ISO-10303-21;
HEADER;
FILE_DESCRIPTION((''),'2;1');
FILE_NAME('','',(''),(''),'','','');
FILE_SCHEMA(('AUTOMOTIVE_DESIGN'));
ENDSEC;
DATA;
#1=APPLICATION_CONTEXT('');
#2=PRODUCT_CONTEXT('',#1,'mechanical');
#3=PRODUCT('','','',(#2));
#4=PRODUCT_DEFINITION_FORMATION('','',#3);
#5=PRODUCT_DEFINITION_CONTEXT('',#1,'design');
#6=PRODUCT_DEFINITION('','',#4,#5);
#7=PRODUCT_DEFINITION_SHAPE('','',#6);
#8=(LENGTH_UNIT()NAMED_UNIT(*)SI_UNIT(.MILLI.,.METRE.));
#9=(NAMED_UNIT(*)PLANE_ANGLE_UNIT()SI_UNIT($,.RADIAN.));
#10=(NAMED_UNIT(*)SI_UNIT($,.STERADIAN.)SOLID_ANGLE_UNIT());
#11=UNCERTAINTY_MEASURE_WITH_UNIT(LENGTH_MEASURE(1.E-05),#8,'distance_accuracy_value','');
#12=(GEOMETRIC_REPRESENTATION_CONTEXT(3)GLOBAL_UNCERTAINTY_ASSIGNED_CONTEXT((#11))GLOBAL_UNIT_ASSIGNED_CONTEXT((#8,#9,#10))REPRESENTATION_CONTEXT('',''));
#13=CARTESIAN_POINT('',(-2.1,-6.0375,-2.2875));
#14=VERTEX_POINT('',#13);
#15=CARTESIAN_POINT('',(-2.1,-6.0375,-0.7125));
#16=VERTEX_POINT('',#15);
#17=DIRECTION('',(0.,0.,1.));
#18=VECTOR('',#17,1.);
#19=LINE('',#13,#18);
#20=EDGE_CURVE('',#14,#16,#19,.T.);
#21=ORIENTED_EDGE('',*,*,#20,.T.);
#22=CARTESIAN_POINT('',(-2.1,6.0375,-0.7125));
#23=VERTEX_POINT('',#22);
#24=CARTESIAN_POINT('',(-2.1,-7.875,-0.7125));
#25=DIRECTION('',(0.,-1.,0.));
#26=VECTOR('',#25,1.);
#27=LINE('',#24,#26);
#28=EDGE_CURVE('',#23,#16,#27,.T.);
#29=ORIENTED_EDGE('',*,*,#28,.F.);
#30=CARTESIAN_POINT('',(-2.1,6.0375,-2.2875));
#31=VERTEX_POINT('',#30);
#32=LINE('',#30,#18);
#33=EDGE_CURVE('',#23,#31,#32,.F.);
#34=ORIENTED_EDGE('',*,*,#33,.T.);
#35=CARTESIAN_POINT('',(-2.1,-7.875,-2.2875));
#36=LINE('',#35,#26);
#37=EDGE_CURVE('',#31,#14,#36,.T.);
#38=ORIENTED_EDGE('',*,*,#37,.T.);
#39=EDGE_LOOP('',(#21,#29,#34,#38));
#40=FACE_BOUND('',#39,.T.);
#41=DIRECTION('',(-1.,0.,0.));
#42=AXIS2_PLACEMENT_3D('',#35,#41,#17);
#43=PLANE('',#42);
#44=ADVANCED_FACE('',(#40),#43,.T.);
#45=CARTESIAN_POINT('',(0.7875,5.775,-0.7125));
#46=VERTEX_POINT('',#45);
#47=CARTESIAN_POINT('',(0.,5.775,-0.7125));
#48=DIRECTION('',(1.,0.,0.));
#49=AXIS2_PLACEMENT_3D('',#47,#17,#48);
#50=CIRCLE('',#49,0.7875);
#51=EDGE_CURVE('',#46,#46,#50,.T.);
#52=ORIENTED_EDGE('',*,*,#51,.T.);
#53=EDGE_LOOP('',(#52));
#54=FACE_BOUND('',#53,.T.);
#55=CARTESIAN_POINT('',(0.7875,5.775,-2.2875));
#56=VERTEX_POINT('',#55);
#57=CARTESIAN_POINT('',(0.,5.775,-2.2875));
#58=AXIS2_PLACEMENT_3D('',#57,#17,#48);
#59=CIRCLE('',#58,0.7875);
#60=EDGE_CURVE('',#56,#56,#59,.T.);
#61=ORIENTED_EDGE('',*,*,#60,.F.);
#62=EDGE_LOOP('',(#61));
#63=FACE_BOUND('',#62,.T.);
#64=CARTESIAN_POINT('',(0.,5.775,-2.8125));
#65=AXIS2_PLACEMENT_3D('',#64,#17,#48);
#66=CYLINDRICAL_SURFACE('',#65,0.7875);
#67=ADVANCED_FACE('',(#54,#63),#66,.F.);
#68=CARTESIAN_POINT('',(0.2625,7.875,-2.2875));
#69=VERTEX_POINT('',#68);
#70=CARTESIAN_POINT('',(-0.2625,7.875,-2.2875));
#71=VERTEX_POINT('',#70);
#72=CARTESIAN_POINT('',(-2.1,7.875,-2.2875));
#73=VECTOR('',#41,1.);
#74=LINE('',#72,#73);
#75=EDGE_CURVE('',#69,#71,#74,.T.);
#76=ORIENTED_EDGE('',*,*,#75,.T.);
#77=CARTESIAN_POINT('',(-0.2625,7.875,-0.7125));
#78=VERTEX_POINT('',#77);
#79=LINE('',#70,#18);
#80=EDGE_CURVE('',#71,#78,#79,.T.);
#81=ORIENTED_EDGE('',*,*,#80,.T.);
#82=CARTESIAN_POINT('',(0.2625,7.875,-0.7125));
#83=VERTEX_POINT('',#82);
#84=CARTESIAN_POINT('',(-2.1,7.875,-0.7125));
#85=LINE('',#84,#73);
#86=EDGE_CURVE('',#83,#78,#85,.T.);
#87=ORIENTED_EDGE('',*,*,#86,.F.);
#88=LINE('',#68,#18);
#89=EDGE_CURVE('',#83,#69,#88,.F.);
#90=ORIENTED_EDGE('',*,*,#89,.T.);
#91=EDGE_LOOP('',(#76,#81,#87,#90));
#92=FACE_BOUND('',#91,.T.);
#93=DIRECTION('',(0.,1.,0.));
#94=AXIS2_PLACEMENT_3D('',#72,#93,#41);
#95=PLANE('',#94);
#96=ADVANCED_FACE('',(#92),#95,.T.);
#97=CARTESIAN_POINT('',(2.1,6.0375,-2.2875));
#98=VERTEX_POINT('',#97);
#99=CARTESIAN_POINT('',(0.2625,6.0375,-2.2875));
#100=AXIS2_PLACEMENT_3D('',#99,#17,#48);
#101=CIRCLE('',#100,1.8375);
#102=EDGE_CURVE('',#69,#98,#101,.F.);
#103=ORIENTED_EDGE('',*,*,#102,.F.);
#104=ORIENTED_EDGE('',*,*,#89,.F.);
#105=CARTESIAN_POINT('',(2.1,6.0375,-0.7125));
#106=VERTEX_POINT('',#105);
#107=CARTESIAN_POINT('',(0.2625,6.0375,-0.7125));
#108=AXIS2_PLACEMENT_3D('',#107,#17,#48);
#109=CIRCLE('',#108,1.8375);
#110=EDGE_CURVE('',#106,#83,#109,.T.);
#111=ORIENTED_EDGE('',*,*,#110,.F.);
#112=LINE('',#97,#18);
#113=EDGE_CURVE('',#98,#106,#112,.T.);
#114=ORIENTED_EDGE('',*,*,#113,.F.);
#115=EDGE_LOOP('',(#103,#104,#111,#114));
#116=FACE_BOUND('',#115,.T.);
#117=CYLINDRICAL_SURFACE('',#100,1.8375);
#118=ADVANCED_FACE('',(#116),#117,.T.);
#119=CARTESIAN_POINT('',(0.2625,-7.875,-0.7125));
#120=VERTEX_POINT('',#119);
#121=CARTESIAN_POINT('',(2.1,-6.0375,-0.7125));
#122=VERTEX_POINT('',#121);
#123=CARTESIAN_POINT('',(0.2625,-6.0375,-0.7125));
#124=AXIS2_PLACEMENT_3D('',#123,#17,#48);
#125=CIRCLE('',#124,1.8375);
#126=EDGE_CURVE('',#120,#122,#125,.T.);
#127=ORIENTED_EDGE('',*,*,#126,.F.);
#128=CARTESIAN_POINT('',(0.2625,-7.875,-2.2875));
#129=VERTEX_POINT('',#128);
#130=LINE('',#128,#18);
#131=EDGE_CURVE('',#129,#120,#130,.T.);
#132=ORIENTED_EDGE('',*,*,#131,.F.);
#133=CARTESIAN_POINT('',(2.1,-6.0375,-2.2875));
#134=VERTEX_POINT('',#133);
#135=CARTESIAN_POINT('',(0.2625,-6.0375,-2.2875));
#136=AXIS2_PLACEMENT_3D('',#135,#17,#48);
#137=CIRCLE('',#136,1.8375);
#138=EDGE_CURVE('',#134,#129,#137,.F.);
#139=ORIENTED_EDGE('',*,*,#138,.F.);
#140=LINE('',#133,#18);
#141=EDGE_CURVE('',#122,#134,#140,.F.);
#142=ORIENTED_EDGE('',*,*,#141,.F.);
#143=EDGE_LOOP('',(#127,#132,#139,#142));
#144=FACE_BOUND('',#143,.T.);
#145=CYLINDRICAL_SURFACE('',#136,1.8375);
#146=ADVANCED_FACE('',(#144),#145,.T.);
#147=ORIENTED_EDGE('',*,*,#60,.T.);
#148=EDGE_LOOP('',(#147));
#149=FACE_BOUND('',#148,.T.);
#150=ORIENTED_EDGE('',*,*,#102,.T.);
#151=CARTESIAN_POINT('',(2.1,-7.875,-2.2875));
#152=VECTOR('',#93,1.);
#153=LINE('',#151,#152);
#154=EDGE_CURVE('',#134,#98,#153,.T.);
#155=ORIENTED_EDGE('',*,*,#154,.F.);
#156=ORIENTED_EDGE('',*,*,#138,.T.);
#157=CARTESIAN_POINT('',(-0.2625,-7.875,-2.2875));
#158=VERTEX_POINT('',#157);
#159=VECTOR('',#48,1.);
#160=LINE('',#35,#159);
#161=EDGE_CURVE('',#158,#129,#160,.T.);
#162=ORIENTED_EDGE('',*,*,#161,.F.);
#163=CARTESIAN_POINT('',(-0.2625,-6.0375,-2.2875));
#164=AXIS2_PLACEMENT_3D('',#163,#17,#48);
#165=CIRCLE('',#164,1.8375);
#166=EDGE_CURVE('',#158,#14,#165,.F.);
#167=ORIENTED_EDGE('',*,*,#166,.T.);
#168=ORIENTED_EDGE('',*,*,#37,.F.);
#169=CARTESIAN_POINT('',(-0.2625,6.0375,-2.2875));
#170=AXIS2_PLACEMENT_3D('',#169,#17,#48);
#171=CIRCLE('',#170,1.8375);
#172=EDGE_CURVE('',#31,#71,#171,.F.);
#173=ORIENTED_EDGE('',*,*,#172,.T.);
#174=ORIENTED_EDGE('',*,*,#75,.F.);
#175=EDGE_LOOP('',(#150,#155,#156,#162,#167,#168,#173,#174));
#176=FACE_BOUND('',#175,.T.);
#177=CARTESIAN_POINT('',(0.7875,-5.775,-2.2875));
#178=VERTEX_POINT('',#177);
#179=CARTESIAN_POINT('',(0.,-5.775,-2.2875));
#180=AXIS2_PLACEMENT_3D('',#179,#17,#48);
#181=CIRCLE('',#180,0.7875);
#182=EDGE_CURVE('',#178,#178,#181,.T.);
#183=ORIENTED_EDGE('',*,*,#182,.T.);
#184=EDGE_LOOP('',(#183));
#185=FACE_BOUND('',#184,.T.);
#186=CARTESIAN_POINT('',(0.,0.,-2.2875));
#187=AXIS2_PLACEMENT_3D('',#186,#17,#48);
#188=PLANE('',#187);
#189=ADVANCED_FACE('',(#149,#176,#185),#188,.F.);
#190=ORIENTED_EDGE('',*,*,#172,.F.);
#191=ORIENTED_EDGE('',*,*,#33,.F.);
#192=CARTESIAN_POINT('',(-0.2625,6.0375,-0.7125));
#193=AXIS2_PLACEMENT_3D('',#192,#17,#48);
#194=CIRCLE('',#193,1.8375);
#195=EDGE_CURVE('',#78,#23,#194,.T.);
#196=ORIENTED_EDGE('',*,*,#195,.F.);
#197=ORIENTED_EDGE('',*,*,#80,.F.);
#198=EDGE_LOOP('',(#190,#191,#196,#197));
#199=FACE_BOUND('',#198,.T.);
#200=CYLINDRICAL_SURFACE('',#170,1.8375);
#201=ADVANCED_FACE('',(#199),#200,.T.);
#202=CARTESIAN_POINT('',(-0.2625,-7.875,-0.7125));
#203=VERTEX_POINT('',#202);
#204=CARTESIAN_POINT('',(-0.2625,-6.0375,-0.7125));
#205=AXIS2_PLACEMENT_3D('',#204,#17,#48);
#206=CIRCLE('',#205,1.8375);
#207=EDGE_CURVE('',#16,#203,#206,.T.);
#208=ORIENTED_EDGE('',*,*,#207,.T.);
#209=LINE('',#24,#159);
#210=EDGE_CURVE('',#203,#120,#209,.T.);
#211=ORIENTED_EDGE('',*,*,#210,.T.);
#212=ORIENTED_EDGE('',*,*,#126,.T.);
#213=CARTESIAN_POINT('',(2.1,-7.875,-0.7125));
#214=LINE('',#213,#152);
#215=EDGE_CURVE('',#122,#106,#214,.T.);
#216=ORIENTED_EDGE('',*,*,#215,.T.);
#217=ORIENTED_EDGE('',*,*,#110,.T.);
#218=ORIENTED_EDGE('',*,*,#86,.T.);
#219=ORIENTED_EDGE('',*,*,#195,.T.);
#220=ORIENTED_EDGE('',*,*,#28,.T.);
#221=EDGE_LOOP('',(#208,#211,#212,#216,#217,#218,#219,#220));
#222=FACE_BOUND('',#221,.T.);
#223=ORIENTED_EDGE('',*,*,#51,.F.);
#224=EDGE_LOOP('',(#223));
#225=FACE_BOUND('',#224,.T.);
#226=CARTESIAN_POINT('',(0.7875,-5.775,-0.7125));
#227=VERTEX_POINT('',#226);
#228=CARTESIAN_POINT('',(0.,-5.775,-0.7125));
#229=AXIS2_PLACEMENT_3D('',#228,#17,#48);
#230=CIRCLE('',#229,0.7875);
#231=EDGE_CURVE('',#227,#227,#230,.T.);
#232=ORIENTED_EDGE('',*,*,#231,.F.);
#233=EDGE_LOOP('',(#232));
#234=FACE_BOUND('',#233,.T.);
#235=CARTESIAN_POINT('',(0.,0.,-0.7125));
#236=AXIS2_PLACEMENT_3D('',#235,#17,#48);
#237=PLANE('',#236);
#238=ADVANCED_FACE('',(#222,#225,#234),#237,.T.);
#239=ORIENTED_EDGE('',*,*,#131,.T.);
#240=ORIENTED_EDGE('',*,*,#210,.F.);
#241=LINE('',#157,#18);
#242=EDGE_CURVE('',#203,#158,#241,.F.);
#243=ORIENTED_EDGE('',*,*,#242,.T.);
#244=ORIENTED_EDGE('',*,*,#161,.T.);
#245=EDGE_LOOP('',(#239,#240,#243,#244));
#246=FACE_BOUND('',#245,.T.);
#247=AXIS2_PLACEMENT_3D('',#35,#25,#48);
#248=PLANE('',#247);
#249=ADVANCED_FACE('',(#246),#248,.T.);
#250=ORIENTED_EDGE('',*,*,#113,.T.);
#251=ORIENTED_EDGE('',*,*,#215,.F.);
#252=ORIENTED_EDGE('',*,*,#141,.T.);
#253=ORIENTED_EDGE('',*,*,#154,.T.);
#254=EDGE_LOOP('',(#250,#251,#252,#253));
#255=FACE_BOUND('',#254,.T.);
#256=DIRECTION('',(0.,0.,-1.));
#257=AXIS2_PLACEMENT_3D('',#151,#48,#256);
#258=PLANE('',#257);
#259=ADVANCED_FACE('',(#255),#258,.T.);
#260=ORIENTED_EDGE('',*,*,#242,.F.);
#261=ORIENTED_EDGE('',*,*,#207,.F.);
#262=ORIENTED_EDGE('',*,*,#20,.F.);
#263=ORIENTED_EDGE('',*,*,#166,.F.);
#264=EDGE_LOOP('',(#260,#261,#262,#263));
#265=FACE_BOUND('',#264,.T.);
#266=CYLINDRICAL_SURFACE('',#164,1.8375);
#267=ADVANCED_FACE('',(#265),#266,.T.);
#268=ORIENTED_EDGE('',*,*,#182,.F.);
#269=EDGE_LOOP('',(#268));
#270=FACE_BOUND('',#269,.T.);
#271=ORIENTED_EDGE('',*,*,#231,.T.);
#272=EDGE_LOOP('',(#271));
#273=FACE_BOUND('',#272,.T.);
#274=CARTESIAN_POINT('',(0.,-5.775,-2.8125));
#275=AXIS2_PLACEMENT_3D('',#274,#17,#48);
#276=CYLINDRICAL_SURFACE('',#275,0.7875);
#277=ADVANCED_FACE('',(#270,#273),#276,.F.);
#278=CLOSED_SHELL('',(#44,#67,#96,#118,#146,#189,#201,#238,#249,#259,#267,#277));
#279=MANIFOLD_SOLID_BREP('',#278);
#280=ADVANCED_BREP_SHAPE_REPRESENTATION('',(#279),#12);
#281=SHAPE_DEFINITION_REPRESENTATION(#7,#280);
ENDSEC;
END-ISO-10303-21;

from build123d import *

# Parameters (mm, degrees)
SKETCH1_W           = 30
SKETCH1_H           = 8
BOSS_EXTRUDE1_DEPTH = 3
SKETCH2_R           = 1.5
CUT_EXTRUDE1_DEPTH  = 4
FILLET1_R           = 3.5
SCALE1_SCALE        = 0.75
SCALE2_SCALE        = 0.7


with BuildPart() as part:
    # Sketch1 → Boss-Extrude1 (new body)
    with BuildSketch(Plane(origin=(0, 0, 0), x_dir=(0, 1, 0), z_dir=(0, 0, 1))):
        Rectangle(SKETCH1_W, SKETCH1_H)
    extrude(amount=-BOSS_EXTRUDE1_DEPTH)

    # Sketch2 → Cut-Extrude1 (cut)
    with BuildSketch(Plane.XY):
        with Locations((0, 11)):
            Circle(SKETCH2_R)
        with Locations((0, -11)):
            Circle(SKETCH2_R)
    extrude(amount=-CUT_EXTRUDE1_DEPTH, mode=Mode.SUBTRACT)

    # Fillet1
    fillet1_edges = [part.edges().sort_by_distance(p)[0] for p in [
        (4, 15, -1.5),
        (4, -15, -1.5),
        (-4, -15, -1.5),
        (-4, 15, -1.5),
    ]]
    fillet(fillet1_edges, radius=FILLET1_R)


with BuildPart() as part_1:
    # Scale1: scaled about (0, 0, -1.5)
    add(part.part.scale(SCALE1_SCALE).moved(Location((0, 0, -0.375))))


with BuildPart() as part_2:
    # Scale2: scaled about (0, 0, -1.5)
    add(part_1.part.scale(SCALE2_SCALE).moved(Location((0, 0, -0.45))))


solid = part_2.part
